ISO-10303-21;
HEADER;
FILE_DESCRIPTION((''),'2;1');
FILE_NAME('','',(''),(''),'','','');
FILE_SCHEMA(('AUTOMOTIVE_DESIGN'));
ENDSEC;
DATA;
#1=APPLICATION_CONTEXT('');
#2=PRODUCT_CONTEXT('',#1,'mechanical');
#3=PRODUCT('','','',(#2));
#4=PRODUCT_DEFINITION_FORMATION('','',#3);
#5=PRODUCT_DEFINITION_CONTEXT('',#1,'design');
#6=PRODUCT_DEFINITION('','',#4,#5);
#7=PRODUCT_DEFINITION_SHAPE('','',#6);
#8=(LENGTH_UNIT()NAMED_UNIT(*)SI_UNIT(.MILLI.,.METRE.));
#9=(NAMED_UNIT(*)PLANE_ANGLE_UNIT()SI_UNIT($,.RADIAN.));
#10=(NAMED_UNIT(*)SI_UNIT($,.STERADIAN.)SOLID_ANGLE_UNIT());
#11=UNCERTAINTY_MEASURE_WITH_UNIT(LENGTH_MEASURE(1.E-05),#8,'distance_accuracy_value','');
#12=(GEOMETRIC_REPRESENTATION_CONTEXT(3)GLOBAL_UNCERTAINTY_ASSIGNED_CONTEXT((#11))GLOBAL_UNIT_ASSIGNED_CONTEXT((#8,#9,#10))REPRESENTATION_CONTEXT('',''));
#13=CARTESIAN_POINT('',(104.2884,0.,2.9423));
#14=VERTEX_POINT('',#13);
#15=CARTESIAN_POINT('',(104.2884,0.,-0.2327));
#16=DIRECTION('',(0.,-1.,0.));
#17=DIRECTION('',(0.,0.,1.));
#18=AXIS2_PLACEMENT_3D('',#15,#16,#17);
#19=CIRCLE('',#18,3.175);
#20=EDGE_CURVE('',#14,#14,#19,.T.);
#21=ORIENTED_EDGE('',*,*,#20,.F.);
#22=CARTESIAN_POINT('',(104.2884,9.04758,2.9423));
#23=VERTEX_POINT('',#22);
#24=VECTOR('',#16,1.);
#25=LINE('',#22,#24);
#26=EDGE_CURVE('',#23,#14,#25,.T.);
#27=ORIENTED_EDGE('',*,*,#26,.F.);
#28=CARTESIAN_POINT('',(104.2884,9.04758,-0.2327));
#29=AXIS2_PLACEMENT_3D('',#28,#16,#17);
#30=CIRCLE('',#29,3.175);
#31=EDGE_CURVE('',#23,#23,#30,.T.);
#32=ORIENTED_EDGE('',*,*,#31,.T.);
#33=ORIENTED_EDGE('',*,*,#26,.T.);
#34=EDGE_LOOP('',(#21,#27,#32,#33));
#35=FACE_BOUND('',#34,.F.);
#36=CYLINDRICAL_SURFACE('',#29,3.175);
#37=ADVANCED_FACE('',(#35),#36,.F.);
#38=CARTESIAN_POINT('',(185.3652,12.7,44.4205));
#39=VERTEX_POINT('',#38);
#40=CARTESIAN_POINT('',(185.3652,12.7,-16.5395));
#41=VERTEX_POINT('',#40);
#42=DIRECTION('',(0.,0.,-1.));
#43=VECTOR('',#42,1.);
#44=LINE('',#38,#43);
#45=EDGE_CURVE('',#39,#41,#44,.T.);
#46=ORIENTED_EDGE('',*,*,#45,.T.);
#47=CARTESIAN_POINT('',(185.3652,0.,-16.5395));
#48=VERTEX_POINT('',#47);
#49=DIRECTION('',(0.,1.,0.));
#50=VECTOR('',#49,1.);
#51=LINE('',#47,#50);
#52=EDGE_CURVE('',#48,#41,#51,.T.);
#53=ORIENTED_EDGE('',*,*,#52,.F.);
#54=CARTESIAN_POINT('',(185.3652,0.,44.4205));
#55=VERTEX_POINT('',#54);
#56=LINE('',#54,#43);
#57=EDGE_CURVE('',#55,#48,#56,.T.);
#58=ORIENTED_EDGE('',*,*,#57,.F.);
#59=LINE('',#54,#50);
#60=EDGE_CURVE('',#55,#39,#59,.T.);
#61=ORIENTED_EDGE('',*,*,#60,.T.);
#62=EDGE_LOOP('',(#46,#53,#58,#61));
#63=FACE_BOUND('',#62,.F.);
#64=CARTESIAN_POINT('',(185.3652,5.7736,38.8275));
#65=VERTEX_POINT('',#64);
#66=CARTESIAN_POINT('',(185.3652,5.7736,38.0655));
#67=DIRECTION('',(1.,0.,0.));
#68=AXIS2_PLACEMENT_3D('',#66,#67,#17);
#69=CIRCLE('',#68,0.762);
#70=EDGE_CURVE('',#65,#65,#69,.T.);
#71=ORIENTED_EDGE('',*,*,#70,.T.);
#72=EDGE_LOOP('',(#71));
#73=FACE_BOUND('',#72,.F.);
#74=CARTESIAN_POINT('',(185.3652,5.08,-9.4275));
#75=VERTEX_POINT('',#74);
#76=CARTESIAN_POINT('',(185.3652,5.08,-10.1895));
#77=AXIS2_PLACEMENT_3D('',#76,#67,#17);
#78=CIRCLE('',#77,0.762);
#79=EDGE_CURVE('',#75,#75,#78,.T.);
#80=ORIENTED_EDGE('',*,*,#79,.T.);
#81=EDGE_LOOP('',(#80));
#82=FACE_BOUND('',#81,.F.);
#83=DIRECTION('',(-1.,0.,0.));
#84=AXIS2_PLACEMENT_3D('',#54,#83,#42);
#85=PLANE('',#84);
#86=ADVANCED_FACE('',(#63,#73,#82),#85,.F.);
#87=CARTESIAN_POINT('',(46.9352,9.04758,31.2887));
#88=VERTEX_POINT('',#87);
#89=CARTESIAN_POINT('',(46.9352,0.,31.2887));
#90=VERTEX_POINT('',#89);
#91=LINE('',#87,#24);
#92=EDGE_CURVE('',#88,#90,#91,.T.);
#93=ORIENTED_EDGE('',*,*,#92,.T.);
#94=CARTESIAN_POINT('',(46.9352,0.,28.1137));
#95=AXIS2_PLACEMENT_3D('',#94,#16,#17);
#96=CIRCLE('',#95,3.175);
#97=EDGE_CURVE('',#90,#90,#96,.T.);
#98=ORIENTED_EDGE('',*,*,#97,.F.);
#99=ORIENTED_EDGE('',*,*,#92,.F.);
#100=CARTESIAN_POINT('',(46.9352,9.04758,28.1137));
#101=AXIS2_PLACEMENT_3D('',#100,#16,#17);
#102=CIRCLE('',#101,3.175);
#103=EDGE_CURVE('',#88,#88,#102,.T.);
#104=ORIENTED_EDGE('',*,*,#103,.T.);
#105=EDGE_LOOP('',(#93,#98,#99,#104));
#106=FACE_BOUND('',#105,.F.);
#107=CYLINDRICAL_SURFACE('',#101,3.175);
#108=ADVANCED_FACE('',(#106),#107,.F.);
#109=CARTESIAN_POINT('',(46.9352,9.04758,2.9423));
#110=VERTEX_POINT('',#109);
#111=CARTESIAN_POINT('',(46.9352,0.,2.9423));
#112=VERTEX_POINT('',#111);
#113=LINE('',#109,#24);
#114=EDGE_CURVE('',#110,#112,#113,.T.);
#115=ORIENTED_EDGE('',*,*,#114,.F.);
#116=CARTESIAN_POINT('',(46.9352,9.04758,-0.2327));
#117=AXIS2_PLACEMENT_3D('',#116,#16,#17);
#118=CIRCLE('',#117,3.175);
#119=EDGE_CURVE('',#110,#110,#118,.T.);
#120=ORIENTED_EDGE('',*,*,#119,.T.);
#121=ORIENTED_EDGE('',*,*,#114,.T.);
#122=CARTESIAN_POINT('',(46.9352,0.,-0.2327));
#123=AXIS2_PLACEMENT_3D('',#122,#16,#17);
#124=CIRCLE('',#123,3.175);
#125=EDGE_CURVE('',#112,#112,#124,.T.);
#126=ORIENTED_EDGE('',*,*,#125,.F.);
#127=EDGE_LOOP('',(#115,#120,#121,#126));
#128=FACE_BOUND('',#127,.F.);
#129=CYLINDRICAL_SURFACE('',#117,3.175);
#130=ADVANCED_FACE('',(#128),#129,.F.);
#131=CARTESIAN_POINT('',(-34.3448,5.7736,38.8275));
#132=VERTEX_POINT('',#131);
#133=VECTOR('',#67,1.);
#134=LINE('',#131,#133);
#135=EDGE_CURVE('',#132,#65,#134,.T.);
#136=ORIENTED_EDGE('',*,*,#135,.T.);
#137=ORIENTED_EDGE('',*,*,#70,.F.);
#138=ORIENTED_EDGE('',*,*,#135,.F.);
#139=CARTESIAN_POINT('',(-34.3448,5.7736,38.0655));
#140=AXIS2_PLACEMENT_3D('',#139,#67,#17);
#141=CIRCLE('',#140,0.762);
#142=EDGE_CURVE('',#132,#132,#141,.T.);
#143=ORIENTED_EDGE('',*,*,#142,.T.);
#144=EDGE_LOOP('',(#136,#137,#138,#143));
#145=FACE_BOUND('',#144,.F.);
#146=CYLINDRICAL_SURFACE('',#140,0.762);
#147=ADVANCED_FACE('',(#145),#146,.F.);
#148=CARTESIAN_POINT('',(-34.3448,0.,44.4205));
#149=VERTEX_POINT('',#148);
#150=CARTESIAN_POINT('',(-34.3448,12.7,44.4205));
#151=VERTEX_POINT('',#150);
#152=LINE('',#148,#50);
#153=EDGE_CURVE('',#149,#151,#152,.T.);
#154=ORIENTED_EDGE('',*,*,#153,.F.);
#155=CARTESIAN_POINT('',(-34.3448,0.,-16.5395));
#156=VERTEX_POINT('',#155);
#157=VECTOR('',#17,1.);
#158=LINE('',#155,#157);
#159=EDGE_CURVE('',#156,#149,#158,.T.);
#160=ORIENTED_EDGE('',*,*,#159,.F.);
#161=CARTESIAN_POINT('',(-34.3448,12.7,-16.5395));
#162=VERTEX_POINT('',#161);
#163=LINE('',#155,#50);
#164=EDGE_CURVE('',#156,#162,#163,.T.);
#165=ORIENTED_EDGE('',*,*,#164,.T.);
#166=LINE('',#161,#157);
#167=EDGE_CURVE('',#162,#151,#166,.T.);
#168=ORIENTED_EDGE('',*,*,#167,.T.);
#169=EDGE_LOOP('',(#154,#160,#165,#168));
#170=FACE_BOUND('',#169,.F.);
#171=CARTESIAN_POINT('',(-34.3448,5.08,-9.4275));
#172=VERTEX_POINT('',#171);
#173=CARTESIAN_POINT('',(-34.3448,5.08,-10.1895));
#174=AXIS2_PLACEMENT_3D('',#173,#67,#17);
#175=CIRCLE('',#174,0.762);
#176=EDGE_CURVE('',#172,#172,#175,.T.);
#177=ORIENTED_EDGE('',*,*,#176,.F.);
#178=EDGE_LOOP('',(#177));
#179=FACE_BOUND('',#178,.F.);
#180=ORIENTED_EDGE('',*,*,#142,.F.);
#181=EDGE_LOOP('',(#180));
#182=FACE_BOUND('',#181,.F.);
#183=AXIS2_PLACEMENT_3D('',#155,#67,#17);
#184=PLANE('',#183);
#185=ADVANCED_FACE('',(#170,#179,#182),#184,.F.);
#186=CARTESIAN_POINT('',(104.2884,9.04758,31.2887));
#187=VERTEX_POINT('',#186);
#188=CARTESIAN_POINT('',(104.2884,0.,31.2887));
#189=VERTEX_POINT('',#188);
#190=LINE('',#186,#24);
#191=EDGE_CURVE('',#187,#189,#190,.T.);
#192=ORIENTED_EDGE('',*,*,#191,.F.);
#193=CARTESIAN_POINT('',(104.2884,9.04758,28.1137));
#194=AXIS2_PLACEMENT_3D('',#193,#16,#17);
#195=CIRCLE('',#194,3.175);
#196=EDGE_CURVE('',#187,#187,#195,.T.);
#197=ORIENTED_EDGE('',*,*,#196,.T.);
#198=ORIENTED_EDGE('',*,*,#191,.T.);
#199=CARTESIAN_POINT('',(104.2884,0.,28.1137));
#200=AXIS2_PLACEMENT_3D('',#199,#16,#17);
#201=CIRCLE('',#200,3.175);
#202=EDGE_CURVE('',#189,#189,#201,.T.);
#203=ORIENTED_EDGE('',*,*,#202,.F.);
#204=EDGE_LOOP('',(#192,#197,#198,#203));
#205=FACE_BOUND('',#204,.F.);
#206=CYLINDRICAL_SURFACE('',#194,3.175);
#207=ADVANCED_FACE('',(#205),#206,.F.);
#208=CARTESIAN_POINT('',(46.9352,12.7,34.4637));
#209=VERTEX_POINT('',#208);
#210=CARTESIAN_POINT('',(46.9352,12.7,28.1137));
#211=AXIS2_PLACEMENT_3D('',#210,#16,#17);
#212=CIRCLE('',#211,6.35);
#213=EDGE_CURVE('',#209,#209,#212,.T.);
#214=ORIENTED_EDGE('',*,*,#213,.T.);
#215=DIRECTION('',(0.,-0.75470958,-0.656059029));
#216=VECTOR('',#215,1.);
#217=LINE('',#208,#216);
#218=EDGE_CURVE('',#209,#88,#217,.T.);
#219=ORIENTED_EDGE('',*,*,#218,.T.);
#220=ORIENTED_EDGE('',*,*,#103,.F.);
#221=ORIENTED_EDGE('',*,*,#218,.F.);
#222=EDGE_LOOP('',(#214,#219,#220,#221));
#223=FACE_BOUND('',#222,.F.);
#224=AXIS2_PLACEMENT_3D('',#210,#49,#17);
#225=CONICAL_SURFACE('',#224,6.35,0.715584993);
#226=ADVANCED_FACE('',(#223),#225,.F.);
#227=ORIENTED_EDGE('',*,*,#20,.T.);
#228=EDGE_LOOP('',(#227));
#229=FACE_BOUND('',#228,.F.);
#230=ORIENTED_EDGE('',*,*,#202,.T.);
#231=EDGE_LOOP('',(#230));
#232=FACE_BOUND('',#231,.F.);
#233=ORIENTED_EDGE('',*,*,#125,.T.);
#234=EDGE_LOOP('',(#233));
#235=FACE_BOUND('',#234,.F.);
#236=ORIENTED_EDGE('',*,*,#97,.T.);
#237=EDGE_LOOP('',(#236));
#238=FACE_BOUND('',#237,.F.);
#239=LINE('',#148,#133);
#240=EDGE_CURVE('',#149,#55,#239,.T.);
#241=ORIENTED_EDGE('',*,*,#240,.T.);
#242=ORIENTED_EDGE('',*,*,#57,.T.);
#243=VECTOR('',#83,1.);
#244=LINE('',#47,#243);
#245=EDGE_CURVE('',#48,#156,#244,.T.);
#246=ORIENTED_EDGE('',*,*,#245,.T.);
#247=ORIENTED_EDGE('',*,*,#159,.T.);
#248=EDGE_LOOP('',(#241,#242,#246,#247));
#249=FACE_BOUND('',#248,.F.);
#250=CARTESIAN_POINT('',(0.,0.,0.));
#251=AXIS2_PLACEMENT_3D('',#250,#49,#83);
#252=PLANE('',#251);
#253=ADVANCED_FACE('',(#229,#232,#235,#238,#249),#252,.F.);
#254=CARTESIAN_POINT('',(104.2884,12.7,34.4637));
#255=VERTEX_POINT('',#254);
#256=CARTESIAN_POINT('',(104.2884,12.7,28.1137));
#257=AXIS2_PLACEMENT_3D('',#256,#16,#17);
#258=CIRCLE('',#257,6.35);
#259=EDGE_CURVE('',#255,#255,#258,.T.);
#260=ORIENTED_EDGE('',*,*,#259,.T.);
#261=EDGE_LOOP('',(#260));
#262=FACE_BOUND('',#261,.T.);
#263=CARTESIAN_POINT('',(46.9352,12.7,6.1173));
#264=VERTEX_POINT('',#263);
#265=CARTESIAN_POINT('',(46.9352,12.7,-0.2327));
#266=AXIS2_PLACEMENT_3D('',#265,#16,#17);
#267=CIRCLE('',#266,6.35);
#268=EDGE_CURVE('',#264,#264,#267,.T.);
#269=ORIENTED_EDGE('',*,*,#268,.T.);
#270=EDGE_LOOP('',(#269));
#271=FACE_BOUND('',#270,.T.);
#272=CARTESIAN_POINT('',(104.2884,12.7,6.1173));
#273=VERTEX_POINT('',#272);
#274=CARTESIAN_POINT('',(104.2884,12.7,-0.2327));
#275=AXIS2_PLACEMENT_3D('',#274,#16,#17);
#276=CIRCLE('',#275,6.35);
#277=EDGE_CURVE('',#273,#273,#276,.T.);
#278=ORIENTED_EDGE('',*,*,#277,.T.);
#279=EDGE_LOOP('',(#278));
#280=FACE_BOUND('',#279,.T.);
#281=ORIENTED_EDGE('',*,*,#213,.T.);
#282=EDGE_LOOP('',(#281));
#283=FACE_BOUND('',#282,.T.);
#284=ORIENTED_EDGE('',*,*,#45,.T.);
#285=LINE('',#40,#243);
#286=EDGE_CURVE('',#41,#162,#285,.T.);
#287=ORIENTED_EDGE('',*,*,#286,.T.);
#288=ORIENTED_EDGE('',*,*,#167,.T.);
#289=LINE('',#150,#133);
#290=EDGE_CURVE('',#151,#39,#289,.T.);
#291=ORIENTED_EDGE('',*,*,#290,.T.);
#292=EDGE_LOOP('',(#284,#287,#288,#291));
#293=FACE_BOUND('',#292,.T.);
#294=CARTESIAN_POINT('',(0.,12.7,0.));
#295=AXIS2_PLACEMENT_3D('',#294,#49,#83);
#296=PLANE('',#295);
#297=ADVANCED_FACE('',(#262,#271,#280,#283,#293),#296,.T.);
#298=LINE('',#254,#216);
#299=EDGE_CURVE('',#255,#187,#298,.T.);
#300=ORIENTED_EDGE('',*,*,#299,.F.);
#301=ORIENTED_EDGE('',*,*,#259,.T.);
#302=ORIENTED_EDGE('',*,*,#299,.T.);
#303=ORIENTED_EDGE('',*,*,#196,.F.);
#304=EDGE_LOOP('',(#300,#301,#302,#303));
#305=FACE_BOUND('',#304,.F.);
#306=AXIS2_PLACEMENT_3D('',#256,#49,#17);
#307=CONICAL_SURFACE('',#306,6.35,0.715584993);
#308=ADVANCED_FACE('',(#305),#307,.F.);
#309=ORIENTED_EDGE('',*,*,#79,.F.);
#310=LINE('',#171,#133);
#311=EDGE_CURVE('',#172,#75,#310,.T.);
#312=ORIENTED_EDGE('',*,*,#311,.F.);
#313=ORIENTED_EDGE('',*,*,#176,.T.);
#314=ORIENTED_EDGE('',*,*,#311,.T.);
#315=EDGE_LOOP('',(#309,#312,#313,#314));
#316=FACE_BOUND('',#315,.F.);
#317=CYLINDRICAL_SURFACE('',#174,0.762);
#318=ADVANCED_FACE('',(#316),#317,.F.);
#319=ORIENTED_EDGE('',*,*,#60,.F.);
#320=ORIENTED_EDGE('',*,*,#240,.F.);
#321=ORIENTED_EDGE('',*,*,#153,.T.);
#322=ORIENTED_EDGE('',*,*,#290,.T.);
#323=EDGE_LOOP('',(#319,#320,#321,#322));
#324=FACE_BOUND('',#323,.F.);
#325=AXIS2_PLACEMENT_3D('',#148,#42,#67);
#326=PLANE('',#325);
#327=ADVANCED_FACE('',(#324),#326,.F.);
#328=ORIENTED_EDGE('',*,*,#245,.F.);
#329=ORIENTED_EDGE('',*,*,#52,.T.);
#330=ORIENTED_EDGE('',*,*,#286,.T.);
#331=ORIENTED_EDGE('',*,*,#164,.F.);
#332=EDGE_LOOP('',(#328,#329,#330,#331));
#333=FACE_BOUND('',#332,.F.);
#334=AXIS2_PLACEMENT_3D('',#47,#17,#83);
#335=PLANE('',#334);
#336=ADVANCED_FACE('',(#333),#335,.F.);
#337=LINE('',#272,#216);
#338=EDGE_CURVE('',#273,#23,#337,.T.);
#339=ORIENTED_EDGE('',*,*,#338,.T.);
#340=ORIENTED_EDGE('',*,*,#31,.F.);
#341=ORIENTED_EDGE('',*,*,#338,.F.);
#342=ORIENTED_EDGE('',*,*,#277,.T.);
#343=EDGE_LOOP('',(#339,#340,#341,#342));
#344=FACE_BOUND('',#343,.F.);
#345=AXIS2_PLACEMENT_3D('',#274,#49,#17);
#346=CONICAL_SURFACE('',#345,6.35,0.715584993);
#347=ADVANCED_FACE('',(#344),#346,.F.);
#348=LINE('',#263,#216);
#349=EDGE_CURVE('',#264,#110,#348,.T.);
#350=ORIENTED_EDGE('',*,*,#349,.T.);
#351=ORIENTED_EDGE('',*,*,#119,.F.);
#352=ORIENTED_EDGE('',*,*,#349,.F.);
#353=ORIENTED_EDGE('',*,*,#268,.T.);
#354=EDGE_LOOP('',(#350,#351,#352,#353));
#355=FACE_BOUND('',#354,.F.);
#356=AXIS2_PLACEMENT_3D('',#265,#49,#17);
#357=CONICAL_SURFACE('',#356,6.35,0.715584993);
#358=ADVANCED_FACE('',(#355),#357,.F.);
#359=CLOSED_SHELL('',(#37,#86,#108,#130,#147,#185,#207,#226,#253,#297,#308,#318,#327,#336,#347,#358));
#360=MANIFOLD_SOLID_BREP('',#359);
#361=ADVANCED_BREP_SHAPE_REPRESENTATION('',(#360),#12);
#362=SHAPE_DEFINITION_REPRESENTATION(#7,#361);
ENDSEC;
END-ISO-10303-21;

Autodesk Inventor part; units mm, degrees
ref_plane "YZ Plane" through (0, 0, 0) normal (1, 0, 0) x (0, 1, 0)
ref_plane "XZ Plane" through (0, 0, 0) normal (0, 1, 0) x (-1, 0, 0)
ref_plane "XY Plane" through (0, 0, 0) normal (0, 0, 1) x (1, 0, 0)
sketch "Sketch1" plane through (0, 0, 0) normal (0, 1, 0) x (-1, 0, 0)
  line L0 (34.3448, 44.4205) -> (-185.3652, 44.4205)
  line L1 (-185.3652, 44.4205) -> (-185.3652, -16.5395)
  line L2 (-185.3652, -16.5395) -> (34.3448, -16.5395)
  line L3 (34.3448, -16.5395) -> (34.3448, 44.4205)
  point P0 (0, 0)
  dimension "d0" = 60.96
  dimension "d1" = 219.71
extrude "Extrusion1" add sketch "Sketch1" along normal blind 12.7
sketch "Sketch2" plane through (0, 12.7, 0) normal (0, 1, 0) x (1, 0, 0)
  line L0 (-34.3448, -44.4205) -> (185.3652, -44.4205) projected
  line L1 (185.3652, 16.5395) -> (-34.3448, 16.5395) projected
  line L2 (-34.3448, 16.5395) -> (-34.3448, -44.4205) projected
  line L3 (185.3652, -44.4205) -> (185.3652, 16.5395) projected
  point P0 (0, 0)
  point P1 (46.9352, -28.1137)
  point P2 (46.9352, 0.2327)
  point P3 (104.2884, 0.2327)
  point P4 (104.2884, -28.1137)
  dimension "d4" = 28.3464
  dimension "d5" = 0
  dimension "d6" = 0
  dimension "d7" = 16.3068
  dimension "d8" = 16.3068
  dimension "d9" = 57.3532
  dimension "d10" = 0
  dimension "d11" = 0
  dimension "d12" = 81.28
  dimension "d13" = 81.0768
hole "Hole1" at (46.9352, 12.7, 28.1137) at (46.9352, 12.7, -0.2327) at (104.2884, 12.7, -0.2327) at (104.2884, 12.7, 28.1137) direction (0, -1, 0) diameter 6.35 end through all countersink diameter 12.7 countersink angle 82
sketch "Sketch5" plane through (-34.3448, 0, -16.5395) normal (-1, 0, 0) x (0, 0, 1)
  line L0 (0, 0) -> (0, 12.7) projected
  line L1 (0, 12.7) -> (60.96, 12.7) projected
  point P0 (16.5395, 0)
  point P1 (54.605, 5.7736)
  point P2 (6.35, 5.08)
  dimension "d21" = 48.26
  dimension "d22" = 6.35
  dimension "d23" = 7.62
hole "Hole2" at (-34.3448, 5.7736, 38.0655) at (-34.3448, 5.08, -10.1895) direction (1, 0, 0) diameter 1.524 end through all
properties part number "TopPlate"
